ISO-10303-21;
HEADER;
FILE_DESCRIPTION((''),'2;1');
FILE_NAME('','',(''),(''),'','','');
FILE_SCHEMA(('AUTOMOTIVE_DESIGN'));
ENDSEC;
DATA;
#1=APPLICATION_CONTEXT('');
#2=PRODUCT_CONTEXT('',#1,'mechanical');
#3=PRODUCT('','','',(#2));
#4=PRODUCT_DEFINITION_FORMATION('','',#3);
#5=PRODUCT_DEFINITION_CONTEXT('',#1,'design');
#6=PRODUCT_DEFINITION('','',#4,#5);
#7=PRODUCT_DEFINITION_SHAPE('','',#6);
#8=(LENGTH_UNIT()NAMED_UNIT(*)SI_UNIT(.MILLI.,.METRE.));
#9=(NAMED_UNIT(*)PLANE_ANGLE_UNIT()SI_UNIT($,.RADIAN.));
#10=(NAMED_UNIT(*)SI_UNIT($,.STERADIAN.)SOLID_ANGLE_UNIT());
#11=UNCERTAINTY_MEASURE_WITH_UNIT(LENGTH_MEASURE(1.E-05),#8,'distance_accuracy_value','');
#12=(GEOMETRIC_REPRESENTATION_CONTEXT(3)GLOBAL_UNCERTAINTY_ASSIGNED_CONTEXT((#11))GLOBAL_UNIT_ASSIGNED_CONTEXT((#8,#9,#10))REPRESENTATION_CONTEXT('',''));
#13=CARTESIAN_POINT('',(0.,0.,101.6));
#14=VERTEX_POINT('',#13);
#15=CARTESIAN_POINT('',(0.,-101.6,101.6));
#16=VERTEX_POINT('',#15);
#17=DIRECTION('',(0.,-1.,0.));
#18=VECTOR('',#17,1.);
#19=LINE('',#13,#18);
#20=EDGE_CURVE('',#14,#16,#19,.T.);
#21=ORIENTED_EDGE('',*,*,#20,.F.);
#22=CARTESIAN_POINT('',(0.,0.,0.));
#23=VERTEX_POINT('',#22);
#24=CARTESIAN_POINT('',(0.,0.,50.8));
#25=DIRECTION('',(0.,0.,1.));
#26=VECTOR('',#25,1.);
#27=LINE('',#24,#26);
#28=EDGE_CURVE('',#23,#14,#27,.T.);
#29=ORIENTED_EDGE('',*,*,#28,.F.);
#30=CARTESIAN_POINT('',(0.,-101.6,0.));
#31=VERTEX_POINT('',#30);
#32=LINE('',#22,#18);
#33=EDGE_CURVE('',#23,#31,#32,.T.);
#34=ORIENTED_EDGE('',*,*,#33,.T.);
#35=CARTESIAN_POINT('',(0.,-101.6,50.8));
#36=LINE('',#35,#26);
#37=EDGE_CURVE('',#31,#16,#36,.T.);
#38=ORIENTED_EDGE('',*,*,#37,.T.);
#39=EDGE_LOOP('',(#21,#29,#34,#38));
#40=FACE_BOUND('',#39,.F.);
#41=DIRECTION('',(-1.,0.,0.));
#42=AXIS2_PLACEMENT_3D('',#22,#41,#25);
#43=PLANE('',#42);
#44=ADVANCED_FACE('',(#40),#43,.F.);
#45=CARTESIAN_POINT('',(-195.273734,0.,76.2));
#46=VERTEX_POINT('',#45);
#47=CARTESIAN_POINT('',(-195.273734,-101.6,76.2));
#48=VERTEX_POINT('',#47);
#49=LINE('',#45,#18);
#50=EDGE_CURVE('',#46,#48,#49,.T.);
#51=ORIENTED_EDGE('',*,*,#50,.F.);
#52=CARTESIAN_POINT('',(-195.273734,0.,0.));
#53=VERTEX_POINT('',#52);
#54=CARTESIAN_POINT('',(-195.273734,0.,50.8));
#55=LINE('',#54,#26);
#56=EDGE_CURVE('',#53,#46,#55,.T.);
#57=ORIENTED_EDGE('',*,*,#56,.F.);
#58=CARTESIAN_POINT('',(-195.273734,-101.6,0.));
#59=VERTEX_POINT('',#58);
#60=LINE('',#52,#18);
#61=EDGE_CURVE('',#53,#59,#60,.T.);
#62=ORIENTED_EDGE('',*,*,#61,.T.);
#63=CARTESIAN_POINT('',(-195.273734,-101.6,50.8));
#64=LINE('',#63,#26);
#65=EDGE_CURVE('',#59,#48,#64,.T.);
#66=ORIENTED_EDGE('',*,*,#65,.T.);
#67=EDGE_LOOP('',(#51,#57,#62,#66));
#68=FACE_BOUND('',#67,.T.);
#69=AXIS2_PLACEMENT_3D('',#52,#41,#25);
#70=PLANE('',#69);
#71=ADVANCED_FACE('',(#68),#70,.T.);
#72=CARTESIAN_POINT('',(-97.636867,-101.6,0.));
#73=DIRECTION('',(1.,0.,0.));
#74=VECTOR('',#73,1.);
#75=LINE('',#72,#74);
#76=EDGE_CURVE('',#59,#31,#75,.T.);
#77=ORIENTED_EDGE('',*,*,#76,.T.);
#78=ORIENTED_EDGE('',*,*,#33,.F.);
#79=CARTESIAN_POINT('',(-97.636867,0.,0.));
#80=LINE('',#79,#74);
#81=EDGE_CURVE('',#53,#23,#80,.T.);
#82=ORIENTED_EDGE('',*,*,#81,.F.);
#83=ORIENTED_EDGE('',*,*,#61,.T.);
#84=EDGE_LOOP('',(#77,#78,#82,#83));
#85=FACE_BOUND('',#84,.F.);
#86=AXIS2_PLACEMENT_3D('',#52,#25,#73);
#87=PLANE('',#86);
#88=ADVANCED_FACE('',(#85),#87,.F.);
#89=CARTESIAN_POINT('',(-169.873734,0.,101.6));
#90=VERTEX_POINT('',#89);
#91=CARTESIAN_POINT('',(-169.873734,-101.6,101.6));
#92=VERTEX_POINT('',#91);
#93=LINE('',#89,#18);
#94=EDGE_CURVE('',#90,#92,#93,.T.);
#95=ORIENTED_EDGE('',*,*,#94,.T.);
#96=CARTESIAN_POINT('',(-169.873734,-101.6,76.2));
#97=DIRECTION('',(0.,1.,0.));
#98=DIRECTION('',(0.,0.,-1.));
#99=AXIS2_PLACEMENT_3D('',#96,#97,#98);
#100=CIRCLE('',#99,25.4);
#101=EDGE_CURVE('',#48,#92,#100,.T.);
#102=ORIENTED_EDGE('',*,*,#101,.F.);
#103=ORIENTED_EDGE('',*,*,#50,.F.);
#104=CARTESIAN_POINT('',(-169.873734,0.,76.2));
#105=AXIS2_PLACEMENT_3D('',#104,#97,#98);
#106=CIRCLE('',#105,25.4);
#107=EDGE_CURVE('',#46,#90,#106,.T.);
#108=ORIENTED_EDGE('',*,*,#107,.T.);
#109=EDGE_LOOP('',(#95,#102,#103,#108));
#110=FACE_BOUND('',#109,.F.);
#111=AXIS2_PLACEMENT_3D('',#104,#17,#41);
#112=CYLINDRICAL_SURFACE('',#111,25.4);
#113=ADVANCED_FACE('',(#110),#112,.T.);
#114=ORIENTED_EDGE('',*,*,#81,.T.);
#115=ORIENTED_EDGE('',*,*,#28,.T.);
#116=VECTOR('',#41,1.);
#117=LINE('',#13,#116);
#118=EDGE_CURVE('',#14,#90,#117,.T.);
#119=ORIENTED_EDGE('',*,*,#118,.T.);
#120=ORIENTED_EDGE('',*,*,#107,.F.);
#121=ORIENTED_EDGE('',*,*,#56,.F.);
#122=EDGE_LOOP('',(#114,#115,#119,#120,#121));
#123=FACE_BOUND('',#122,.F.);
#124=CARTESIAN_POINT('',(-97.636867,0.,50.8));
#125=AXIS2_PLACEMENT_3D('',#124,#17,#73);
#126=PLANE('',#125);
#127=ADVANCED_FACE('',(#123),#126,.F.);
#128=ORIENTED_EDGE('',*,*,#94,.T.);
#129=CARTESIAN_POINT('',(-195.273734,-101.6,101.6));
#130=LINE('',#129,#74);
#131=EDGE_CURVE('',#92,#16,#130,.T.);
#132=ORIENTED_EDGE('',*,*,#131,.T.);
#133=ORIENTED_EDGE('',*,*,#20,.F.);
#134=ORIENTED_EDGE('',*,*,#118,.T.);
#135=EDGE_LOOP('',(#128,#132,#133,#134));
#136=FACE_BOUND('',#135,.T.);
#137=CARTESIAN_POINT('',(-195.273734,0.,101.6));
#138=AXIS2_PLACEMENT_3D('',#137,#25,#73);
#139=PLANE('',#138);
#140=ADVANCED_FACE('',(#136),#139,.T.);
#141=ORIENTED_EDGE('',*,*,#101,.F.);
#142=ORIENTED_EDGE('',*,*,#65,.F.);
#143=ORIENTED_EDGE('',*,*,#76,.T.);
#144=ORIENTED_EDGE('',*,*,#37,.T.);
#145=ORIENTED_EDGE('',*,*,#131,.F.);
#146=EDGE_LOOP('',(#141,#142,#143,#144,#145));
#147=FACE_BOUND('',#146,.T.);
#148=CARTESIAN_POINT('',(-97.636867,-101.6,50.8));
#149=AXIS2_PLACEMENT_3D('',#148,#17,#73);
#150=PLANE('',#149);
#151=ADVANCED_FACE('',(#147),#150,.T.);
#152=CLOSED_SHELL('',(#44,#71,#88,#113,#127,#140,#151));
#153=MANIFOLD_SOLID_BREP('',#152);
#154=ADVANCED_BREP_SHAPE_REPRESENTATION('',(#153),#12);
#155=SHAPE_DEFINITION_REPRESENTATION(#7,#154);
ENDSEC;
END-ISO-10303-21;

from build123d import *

# Parameters (mm, degrees)
F0_W     = 195.273734
F0_H     = 101.6
F1_DEPTH = 101.6
F2_W     = 38.1
F2_H     = 101.6
F3_DEPTH = 76.2
F4_R     = 25.4


with BuildPart() as f1:
    # F0 (on Front) → F1 (new body)
    with BuildSketch(Plane.XZ):
        with Locations((-97.636867, 50.8)):
            Rectangle(F0_W, F0_H)
    extrude(amount=F1_DEPTH)

    # F2 (on face) → F3 (join)
    with BuildSketch(Plane.XY.offset(101.6)):
        with Locations((-105.483266, -50.8)):
            Rectangle(F2_W, F2_H)
    extrude(amount=-F3_DEPTH)

    # F4
    f4_edges = [f1.edges().sort_by_distance(p)[0] for p in [
        (-195.273734, -50.8, 101.6),
    ]]
    fillet(f4_edges, radius=F4_R)


solid = f1.part
